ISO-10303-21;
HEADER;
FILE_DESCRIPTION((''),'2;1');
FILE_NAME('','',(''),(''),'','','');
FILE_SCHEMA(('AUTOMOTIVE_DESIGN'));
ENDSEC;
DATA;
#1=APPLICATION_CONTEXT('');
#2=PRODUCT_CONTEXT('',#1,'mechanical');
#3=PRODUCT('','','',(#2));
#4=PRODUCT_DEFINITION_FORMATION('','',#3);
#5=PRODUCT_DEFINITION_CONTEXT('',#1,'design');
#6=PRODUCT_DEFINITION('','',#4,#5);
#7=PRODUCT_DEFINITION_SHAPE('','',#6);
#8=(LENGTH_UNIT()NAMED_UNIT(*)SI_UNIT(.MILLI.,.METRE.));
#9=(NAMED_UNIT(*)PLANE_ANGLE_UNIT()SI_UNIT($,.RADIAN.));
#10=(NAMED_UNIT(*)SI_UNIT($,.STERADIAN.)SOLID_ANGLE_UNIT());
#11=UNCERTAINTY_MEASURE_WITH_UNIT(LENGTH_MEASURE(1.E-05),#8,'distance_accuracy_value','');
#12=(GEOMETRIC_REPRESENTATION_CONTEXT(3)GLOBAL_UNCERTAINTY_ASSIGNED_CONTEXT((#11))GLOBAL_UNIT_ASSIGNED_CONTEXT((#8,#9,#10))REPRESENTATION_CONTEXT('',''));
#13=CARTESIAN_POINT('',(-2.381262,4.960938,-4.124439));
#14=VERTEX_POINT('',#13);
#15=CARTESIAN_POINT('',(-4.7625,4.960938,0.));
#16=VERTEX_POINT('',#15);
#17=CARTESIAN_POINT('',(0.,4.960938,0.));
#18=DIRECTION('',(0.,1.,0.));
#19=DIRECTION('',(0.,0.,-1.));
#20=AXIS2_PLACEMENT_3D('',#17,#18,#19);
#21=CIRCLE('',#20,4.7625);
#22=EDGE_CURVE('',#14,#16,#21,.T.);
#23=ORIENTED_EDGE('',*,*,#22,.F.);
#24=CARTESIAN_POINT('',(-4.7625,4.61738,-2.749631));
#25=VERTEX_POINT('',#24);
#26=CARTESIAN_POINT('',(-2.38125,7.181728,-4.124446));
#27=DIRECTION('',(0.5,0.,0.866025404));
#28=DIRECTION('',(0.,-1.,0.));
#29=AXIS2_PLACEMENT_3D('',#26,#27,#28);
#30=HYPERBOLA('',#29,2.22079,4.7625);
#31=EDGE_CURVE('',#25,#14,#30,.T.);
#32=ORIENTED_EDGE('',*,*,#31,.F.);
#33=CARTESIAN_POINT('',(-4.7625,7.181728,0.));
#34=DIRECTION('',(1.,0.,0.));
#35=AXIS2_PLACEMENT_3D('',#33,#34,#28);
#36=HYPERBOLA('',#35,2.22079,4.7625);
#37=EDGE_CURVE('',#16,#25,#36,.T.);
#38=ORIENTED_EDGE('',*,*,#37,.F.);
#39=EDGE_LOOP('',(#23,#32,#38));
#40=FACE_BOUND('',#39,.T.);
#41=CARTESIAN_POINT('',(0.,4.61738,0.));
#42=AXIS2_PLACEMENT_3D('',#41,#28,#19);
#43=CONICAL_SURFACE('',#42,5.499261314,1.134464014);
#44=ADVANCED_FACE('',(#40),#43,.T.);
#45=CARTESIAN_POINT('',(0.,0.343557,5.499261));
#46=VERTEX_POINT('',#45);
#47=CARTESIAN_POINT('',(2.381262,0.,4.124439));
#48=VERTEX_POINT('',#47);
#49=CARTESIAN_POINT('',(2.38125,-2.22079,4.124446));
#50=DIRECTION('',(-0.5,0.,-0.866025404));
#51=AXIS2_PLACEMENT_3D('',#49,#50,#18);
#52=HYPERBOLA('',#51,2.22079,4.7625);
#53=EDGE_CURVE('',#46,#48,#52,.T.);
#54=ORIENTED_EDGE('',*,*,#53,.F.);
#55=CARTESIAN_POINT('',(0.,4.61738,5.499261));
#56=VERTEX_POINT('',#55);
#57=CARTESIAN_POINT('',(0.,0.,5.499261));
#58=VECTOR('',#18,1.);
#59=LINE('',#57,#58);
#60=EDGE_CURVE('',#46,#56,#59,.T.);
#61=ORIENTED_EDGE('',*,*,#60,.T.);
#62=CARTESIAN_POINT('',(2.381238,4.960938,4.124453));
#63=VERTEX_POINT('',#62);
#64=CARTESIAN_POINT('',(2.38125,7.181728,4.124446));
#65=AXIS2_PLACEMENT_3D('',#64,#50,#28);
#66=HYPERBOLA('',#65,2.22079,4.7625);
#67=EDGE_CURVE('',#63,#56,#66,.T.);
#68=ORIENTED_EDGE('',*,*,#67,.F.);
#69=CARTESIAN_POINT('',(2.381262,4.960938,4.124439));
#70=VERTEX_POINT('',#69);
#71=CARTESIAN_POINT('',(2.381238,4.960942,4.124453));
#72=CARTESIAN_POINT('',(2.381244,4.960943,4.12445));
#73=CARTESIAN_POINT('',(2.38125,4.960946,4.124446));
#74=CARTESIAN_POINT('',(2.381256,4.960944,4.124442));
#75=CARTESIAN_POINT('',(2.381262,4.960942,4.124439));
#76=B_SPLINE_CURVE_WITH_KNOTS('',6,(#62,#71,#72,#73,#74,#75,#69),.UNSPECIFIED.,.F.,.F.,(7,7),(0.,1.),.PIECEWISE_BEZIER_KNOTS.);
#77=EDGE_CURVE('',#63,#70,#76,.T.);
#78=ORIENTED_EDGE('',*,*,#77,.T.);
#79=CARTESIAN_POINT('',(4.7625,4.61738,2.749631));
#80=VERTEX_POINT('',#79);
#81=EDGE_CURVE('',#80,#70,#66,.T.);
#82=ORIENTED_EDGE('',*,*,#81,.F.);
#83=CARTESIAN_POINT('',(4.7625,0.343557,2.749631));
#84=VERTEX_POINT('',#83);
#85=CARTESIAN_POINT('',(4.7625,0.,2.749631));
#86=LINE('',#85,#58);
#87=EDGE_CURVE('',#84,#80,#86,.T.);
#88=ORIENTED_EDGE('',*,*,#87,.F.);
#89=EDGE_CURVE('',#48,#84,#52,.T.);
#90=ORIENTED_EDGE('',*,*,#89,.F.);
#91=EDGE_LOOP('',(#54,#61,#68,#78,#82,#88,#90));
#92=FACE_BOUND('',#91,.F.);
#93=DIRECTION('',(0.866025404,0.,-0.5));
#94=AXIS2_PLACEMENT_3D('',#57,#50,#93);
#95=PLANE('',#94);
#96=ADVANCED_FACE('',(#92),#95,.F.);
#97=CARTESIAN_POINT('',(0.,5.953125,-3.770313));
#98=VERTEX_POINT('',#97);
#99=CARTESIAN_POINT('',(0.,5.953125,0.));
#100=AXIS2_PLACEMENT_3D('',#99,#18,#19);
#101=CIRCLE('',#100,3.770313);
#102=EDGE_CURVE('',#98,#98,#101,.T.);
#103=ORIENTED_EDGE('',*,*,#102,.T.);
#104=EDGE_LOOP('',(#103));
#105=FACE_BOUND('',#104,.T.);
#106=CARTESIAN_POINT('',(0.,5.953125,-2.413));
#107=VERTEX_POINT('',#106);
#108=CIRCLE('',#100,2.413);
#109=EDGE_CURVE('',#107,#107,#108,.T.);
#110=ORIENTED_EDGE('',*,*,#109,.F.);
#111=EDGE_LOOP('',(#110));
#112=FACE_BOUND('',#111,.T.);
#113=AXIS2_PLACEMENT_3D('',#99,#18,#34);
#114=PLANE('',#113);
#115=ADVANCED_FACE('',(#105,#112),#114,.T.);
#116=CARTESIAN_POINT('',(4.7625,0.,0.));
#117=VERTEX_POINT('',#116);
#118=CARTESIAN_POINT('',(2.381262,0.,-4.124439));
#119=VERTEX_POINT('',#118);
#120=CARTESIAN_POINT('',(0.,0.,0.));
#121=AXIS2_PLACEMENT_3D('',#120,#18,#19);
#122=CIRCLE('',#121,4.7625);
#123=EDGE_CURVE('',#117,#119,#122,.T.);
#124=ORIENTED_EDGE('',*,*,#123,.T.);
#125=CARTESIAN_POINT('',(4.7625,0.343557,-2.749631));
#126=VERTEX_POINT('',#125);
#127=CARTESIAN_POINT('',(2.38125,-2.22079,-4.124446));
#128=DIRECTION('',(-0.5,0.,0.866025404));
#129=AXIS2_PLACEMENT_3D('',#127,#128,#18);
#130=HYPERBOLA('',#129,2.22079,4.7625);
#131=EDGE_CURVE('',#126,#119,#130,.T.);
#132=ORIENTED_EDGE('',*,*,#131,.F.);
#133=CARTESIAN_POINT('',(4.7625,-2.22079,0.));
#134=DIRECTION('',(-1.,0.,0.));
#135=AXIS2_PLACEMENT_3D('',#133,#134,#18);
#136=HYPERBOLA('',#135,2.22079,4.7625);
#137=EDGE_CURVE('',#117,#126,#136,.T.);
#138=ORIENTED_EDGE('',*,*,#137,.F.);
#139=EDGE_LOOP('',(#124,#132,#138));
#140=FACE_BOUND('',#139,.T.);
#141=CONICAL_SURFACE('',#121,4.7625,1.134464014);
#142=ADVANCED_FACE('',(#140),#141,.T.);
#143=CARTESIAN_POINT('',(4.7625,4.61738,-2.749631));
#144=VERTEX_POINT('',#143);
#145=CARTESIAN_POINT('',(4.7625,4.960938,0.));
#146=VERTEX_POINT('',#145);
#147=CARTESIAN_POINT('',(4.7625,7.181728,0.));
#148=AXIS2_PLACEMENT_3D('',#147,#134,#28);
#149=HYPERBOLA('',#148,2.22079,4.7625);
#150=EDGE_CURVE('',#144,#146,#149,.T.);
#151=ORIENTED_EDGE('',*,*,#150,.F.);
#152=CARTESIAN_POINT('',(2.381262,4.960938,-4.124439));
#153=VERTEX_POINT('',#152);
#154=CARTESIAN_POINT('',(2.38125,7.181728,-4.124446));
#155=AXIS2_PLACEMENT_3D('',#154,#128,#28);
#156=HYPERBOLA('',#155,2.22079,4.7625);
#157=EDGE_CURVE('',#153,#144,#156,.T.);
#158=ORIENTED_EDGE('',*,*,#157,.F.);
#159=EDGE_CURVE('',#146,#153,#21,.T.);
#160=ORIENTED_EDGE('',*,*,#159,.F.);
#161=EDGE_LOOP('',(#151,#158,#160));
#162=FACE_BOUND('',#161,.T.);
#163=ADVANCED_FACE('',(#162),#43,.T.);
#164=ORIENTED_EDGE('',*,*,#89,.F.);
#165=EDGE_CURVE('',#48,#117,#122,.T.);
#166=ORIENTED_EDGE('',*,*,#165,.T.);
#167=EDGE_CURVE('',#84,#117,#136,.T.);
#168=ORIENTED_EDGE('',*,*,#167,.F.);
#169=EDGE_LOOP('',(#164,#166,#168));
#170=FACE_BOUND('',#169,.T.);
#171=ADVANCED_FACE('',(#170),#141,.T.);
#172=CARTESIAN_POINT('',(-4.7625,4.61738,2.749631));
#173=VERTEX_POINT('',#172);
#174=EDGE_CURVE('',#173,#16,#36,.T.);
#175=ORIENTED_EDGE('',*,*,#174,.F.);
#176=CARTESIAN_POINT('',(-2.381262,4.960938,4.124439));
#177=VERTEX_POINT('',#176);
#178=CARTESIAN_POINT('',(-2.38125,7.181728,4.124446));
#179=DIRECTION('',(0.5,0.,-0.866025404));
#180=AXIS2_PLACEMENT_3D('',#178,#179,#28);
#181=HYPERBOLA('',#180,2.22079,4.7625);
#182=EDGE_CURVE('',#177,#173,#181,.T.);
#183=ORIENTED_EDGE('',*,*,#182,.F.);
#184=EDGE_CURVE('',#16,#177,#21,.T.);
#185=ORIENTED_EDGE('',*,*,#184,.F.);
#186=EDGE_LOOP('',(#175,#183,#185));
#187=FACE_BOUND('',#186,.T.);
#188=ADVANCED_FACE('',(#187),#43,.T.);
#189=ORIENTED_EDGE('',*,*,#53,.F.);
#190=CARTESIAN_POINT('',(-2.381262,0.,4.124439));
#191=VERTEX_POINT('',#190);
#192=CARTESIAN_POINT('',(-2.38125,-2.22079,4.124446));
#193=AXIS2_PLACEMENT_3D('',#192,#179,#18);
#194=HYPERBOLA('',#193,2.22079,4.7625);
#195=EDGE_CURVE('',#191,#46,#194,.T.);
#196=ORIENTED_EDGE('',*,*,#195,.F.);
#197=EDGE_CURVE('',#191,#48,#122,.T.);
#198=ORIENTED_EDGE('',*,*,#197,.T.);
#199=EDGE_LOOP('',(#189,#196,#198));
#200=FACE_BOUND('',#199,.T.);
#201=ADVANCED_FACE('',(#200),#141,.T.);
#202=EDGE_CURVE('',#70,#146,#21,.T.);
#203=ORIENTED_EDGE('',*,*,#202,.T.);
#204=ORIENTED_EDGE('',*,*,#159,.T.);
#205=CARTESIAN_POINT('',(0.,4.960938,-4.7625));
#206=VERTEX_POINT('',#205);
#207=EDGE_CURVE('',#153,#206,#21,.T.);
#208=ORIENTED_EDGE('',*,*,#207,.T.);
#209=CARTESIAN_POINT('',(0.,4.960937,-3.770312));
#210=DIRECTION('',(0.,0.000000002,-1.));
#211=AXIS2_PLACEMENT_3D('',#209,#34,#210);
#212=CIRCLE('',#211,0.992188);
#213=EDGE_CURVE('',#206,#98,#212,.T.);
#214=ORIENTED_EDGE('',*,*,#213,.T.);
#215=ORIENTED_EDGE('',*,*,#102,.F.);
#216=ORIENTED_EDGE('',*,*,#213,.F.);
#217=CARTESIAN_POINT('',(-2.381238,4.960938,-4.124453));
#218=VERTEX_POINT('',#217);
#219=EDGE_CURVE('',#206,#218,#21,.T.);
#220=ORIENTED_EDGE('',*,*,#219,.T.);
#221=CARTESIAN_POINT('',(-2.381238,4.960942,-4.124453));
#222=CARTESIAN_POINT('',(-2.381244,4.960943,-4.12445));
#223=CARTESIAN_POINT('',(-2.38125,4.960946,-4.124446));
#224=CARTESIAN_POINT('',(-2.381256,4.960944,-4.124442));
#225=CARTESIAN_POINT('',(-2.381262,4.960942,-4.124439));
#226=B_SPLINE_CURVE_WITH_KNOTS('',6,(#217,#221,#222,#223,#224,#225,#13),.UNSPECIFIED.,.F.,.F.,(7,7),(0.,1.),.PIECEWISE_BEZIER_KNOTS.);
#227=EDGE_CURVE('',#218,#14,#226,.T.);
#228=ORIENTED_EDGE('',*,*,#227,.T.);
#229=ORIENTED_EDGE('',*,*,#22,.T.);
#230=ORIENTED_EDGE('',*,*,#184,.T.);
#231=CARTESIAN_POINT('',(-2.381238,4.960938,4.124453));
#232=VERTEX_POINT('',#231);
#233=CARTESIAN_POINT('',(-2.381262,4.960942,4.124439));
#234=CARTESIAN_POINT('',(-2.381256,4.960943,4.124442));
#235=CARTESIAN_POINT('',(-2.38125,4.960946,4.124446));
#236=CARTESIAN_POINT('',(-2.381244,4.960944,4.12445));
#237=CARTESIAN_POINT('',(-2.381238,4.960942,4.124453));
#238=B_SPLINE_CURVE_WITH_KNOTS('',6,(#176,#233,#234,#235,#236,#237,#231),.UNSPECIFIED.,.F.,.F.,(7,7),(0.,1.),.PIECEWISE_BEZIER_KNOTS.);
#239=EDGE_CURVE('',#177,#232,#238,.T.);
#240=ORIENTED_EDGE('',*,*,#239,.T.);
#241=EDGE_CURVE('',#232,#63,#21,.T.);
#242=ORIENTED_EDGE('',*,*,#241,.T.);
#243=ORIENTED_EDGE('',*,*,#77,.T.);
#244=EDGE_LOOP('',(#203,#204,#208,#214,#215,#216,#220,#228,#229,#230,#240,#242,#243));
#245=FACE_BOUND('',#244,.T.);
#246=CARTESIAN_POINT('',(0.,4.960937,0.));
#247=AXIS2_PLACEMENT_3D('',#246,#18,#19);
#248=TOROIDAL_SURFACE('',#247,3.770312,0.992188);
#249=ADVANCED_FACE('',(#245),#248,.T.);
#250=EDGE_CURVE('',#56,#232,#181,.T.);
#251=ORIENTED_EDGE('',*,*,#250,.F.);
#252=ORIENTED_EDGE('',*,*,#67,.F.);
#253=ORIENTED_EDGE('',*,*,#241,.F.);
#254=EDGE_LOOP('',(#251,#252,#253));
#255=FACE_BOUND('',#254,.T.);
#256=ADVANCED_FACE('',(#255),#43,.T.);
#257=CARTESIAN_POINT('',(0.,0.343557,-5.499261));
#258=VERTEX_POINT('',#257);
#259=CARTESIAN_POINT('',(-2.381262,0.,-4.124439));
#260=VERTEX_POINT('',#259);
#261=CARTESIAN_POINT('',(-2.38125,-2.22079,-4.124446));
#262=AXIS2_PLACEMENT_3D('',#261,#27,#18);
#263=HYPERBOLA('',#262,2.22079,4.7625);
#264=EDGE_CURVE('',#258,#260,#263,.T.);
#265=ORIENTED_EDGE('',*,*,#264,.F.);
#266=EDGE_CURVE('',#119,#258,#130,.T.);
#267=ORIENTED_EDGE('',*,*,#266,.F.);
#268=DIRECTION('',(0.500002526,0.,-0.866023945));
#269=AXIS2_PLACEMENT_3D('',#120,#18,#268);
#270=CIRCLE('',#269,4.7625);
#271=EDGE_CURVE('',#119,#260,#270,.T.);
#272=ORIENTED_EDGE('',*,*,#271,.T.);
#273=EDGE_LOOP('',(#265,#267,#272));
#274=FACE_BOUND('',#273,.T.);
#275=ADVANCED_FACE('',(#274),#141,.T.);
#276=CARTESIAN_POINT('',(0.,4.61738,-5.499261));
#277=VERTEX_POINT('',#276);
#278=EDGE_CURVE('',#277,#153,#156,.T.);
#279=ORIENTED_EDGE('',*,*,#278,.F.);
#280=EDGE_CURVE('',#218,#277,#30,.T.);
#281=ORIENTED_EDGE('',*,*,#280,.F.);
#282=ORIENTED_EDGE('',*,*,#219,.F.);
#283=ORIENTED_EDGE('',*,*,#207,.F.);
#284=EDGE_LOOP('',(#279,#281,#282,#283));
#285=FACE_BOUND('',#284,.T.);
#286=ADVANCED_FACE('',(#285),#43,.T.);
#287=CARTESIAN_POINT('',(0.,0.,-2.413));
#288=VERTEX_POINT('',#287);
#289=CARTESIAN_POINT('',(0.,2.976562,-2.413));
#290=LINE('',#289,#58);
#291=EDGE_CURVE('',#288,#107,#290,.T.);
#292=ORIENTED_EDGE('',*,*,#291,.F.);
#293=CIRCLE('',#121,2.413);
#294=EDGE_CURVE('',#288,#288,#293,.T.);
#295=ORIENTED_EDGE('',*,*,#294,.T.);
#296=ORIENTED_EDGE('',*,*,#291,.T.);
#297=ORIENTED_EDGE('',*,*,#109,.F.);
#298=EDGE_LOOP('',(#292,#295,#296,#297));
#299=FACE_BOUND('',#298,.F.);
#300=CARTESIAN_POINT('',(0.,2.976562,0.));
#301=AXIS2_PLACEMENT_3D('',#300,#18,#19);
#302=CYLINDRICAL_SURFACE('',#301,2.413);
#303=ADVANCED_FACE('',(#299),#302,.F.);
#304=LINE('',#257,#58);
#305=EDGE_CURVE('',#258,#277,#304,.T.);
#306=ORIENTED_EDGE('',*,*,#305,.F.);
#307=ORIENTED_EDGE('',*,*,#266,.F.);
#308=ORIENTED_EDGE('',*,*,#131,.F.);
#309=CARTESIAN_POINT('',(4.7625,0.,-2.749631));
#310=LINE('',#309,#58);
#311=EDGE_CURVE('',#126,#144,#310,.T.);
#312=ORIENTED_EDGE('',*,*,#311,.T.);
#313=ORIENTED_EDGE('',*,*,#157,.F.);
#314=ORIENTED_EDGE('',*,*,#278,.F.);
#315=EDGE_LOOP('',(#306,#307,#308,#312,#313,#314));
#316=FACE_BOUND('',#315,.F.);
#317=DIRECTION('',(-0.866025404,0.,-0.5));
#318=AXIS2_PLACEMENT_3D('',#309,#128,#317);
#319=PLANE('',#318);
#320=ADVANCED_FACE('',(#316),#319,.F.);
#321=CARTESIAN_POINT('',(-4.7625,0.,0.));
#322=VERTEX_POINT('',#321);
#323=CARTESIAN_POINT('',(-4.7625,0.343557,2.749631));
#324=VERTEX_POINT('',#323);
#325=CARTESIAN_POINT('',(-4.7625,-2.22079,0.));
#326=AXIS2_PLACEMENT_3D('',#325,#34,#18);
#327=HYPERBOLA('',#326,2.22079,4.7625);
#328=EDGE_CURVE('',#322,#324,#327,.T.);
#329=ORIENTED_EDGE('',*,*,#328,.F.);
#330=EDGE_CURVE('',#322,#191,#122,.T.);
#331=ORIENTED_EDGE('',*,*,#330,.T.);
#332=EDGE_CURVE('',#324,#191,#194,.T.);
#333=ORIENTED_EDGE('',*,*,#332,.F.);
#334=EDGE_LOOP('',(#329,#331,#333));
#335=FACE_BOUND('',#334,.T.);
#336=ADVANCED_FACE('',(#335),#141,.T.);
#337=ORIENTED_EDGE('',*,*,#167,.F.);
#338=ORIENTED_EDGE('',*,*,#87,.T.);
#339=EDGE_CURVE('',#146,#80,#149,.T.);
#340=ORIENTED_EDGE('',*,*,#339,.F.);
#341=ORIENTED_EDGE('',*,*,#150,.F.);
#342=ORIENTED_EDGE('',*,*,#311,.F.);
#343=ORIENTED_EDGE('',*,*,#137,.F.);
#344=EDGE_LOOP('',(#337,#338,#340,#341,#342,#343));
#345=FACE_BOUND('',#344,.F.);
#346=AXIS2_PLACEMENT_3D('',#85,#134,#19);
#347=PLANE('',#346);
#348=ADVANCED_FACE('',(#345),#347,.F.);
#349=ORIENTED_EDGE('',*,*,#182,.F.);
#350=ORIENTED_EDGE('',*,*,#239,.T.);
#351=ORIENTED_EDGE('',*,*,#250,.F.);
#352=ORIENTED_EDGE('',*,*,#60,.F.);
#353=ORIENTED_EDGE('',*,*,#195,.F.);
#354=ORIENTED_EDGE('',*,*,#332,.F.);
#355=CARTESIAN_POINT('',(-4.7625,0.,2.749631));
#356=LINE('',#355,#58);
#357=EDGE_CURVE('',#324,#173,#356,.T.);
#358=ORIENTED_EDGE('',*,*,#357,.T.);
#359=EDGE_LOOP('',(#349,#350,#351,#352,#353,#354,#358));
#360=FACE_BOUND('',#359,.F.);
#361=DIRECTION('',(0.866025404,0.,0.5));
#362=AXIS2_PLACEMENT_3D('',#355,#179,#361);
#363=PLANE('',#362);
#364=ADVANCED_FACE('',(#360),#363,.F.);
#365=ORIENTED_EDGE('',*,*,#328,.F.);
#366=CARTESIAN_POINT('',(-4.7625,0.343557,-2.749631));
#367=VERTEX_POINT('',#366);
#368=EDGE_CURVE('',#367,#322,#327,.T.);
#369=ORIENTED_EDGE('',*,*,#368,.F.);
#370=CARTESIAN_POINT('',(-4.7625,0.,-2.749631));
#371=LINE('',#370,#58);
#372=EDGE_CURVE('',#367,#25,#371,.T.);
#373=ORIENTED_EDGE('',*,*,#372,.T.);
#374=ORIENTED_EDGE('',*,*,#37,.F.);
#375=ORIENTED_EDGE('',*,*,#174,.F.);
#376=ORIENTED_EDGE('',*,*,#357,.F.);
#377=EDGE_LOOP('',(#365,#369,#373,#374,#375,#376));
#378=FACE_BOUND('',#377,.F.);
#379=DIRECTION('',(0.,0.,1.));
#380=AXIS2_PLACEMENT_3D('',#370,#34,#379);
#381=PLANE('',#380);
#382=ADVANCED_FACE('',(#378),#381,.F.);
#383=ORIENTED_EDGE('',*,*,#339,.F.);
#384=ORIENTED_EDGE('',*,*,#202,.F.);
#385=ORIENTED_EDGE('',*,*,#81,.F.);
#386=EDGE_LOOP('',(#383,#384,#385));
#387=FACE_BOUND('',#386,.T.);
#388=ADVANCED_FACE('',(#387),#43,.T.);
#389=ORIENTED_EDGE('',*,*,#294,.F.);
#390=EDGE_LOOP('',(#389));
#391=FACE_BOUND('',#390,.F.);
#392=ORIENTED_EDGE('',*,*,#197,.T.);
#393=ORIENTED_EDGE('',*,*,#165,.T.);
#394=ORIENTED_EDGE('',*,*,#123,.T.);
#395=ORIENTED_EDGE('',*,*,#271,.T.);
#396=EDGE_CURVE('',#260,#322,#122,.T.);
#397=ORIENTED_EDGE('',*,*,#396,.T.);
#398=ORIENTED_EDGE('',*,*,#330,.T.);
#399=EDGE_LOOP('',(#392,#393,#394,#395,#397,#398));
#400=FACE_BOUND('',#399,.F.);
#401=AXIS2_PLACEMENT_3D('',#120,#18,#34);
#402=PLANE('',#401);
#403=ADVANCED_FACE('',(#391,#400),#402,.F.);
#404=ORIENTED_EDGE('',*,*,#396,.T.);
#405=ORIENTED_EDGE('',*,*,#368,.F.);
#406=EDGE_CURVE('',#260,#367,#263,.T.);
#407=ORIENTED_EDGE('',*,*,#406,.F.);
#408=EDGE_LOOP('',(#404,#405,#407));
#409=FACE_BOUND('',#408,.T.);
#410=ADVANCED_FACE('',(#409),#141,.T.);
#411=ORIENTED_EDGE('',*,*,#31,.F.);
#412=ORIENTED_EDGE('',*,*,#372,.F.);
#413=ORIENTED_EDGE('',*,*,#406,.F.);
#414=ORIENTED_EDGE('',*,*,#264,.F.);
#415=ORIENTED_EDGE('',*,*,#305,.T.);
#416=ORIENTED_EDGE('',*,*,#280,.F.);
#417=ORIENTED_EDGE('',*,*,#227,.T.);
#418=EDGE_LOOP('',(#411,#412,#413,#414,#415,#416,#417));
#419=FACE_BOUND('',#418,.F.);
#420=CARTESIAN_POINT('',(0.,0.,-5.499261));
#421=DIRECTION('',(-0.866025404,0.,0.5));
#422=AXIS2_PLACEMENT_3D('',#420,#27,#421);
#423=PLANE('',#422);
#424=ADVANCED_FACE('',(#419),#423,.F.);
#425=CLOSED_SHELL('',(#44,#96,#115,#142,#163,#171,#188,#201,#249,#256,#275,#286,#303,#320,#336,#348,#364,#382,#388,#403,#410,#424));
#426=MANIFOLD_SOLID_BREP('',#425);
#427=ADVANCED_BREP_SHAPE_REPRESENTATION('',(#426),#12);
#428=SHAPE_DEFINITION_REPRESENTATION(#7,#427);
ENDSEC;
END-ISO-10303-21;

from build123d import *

# Parameters (mm, degrees)
EXTRUDE1_DEPTH = 5.953125
SKETCH2_W      = 2.413
SKETCH2_H      = 5.953125


with BuildPart() as part:
    # Sketch1 → Extrude1 (new body)
    with BuildSketch(Plane(origin=(0, 0, 0), x_dir=(1, 0, 0), z_dir=(0, 1, 0))):
        Polygon((0, 5.499261314), (-4.7625, 2.749630657), (-4.7625, -2.749630657), (0, -5.499261314), (4.7625, -2.749630657), (4.7625, 2.749630657), align=None)
    extrude(amount=EXTRUDE1_DEPTH)


with BuildPart() as body_2:
    # Sketch2 → Revolve1 (revolve)
    with BuildSketch(Plane(origin=(0, 0, 0), x_dir=(0, 0, -1), z_dir=(1, 0, 0))):
        with Locations((1.2065, 2.9765625)):
            Rectangle(SKETCH2_W, SKETCH2_H)
    revolve(axis=Axis((0, -2.413, 0), (0, 1, 0)))


with BuildPart() as part_1:
    add(part.part)

    # Combine1: cut body 2
    add(body_2.part, mode=Mode.SUBTRACT)

    # Sketch5 → Cut-Revolve3 (revolve, cut)
    with BuildSketch(Plane(origin=(0, 0, 0), x_dir=(0, 0, -1), z_dir=(1, 0, 0))):
        with BuildLine():
            Line((0, 0), (4.7625, 0))
            Line((4.7625, 0), (5.499261314, 0.343557443))
            Line((5.499261314, 0.343557443), (5.499261314, 4.617380057))
            Line((5.499261314, 4.617380057), (4.7625, 4.9609375))
            ThreePointArc((4.7625, 4.9609375), (4.471895009, 5.662520009), (3.7703125, 5.953125))
            Line((3.7703125, 5.953125), (3.7703125, 7.223125))
            Line((3.7703125, 7.223125), (6.769261314, 7.223125))
            Line((6.769261314, 7.223125), (6.769261314, -1.27))
            Line((6.769261314, -1.27), (0, -1.27))
            Line((0, -1.27), (0, 0))
        make_face()
    revolve(axis=Axis((0, 0, 0), (0, 1, 0)), mode=Mode.SUBTRACT)


solid = part_1.part
